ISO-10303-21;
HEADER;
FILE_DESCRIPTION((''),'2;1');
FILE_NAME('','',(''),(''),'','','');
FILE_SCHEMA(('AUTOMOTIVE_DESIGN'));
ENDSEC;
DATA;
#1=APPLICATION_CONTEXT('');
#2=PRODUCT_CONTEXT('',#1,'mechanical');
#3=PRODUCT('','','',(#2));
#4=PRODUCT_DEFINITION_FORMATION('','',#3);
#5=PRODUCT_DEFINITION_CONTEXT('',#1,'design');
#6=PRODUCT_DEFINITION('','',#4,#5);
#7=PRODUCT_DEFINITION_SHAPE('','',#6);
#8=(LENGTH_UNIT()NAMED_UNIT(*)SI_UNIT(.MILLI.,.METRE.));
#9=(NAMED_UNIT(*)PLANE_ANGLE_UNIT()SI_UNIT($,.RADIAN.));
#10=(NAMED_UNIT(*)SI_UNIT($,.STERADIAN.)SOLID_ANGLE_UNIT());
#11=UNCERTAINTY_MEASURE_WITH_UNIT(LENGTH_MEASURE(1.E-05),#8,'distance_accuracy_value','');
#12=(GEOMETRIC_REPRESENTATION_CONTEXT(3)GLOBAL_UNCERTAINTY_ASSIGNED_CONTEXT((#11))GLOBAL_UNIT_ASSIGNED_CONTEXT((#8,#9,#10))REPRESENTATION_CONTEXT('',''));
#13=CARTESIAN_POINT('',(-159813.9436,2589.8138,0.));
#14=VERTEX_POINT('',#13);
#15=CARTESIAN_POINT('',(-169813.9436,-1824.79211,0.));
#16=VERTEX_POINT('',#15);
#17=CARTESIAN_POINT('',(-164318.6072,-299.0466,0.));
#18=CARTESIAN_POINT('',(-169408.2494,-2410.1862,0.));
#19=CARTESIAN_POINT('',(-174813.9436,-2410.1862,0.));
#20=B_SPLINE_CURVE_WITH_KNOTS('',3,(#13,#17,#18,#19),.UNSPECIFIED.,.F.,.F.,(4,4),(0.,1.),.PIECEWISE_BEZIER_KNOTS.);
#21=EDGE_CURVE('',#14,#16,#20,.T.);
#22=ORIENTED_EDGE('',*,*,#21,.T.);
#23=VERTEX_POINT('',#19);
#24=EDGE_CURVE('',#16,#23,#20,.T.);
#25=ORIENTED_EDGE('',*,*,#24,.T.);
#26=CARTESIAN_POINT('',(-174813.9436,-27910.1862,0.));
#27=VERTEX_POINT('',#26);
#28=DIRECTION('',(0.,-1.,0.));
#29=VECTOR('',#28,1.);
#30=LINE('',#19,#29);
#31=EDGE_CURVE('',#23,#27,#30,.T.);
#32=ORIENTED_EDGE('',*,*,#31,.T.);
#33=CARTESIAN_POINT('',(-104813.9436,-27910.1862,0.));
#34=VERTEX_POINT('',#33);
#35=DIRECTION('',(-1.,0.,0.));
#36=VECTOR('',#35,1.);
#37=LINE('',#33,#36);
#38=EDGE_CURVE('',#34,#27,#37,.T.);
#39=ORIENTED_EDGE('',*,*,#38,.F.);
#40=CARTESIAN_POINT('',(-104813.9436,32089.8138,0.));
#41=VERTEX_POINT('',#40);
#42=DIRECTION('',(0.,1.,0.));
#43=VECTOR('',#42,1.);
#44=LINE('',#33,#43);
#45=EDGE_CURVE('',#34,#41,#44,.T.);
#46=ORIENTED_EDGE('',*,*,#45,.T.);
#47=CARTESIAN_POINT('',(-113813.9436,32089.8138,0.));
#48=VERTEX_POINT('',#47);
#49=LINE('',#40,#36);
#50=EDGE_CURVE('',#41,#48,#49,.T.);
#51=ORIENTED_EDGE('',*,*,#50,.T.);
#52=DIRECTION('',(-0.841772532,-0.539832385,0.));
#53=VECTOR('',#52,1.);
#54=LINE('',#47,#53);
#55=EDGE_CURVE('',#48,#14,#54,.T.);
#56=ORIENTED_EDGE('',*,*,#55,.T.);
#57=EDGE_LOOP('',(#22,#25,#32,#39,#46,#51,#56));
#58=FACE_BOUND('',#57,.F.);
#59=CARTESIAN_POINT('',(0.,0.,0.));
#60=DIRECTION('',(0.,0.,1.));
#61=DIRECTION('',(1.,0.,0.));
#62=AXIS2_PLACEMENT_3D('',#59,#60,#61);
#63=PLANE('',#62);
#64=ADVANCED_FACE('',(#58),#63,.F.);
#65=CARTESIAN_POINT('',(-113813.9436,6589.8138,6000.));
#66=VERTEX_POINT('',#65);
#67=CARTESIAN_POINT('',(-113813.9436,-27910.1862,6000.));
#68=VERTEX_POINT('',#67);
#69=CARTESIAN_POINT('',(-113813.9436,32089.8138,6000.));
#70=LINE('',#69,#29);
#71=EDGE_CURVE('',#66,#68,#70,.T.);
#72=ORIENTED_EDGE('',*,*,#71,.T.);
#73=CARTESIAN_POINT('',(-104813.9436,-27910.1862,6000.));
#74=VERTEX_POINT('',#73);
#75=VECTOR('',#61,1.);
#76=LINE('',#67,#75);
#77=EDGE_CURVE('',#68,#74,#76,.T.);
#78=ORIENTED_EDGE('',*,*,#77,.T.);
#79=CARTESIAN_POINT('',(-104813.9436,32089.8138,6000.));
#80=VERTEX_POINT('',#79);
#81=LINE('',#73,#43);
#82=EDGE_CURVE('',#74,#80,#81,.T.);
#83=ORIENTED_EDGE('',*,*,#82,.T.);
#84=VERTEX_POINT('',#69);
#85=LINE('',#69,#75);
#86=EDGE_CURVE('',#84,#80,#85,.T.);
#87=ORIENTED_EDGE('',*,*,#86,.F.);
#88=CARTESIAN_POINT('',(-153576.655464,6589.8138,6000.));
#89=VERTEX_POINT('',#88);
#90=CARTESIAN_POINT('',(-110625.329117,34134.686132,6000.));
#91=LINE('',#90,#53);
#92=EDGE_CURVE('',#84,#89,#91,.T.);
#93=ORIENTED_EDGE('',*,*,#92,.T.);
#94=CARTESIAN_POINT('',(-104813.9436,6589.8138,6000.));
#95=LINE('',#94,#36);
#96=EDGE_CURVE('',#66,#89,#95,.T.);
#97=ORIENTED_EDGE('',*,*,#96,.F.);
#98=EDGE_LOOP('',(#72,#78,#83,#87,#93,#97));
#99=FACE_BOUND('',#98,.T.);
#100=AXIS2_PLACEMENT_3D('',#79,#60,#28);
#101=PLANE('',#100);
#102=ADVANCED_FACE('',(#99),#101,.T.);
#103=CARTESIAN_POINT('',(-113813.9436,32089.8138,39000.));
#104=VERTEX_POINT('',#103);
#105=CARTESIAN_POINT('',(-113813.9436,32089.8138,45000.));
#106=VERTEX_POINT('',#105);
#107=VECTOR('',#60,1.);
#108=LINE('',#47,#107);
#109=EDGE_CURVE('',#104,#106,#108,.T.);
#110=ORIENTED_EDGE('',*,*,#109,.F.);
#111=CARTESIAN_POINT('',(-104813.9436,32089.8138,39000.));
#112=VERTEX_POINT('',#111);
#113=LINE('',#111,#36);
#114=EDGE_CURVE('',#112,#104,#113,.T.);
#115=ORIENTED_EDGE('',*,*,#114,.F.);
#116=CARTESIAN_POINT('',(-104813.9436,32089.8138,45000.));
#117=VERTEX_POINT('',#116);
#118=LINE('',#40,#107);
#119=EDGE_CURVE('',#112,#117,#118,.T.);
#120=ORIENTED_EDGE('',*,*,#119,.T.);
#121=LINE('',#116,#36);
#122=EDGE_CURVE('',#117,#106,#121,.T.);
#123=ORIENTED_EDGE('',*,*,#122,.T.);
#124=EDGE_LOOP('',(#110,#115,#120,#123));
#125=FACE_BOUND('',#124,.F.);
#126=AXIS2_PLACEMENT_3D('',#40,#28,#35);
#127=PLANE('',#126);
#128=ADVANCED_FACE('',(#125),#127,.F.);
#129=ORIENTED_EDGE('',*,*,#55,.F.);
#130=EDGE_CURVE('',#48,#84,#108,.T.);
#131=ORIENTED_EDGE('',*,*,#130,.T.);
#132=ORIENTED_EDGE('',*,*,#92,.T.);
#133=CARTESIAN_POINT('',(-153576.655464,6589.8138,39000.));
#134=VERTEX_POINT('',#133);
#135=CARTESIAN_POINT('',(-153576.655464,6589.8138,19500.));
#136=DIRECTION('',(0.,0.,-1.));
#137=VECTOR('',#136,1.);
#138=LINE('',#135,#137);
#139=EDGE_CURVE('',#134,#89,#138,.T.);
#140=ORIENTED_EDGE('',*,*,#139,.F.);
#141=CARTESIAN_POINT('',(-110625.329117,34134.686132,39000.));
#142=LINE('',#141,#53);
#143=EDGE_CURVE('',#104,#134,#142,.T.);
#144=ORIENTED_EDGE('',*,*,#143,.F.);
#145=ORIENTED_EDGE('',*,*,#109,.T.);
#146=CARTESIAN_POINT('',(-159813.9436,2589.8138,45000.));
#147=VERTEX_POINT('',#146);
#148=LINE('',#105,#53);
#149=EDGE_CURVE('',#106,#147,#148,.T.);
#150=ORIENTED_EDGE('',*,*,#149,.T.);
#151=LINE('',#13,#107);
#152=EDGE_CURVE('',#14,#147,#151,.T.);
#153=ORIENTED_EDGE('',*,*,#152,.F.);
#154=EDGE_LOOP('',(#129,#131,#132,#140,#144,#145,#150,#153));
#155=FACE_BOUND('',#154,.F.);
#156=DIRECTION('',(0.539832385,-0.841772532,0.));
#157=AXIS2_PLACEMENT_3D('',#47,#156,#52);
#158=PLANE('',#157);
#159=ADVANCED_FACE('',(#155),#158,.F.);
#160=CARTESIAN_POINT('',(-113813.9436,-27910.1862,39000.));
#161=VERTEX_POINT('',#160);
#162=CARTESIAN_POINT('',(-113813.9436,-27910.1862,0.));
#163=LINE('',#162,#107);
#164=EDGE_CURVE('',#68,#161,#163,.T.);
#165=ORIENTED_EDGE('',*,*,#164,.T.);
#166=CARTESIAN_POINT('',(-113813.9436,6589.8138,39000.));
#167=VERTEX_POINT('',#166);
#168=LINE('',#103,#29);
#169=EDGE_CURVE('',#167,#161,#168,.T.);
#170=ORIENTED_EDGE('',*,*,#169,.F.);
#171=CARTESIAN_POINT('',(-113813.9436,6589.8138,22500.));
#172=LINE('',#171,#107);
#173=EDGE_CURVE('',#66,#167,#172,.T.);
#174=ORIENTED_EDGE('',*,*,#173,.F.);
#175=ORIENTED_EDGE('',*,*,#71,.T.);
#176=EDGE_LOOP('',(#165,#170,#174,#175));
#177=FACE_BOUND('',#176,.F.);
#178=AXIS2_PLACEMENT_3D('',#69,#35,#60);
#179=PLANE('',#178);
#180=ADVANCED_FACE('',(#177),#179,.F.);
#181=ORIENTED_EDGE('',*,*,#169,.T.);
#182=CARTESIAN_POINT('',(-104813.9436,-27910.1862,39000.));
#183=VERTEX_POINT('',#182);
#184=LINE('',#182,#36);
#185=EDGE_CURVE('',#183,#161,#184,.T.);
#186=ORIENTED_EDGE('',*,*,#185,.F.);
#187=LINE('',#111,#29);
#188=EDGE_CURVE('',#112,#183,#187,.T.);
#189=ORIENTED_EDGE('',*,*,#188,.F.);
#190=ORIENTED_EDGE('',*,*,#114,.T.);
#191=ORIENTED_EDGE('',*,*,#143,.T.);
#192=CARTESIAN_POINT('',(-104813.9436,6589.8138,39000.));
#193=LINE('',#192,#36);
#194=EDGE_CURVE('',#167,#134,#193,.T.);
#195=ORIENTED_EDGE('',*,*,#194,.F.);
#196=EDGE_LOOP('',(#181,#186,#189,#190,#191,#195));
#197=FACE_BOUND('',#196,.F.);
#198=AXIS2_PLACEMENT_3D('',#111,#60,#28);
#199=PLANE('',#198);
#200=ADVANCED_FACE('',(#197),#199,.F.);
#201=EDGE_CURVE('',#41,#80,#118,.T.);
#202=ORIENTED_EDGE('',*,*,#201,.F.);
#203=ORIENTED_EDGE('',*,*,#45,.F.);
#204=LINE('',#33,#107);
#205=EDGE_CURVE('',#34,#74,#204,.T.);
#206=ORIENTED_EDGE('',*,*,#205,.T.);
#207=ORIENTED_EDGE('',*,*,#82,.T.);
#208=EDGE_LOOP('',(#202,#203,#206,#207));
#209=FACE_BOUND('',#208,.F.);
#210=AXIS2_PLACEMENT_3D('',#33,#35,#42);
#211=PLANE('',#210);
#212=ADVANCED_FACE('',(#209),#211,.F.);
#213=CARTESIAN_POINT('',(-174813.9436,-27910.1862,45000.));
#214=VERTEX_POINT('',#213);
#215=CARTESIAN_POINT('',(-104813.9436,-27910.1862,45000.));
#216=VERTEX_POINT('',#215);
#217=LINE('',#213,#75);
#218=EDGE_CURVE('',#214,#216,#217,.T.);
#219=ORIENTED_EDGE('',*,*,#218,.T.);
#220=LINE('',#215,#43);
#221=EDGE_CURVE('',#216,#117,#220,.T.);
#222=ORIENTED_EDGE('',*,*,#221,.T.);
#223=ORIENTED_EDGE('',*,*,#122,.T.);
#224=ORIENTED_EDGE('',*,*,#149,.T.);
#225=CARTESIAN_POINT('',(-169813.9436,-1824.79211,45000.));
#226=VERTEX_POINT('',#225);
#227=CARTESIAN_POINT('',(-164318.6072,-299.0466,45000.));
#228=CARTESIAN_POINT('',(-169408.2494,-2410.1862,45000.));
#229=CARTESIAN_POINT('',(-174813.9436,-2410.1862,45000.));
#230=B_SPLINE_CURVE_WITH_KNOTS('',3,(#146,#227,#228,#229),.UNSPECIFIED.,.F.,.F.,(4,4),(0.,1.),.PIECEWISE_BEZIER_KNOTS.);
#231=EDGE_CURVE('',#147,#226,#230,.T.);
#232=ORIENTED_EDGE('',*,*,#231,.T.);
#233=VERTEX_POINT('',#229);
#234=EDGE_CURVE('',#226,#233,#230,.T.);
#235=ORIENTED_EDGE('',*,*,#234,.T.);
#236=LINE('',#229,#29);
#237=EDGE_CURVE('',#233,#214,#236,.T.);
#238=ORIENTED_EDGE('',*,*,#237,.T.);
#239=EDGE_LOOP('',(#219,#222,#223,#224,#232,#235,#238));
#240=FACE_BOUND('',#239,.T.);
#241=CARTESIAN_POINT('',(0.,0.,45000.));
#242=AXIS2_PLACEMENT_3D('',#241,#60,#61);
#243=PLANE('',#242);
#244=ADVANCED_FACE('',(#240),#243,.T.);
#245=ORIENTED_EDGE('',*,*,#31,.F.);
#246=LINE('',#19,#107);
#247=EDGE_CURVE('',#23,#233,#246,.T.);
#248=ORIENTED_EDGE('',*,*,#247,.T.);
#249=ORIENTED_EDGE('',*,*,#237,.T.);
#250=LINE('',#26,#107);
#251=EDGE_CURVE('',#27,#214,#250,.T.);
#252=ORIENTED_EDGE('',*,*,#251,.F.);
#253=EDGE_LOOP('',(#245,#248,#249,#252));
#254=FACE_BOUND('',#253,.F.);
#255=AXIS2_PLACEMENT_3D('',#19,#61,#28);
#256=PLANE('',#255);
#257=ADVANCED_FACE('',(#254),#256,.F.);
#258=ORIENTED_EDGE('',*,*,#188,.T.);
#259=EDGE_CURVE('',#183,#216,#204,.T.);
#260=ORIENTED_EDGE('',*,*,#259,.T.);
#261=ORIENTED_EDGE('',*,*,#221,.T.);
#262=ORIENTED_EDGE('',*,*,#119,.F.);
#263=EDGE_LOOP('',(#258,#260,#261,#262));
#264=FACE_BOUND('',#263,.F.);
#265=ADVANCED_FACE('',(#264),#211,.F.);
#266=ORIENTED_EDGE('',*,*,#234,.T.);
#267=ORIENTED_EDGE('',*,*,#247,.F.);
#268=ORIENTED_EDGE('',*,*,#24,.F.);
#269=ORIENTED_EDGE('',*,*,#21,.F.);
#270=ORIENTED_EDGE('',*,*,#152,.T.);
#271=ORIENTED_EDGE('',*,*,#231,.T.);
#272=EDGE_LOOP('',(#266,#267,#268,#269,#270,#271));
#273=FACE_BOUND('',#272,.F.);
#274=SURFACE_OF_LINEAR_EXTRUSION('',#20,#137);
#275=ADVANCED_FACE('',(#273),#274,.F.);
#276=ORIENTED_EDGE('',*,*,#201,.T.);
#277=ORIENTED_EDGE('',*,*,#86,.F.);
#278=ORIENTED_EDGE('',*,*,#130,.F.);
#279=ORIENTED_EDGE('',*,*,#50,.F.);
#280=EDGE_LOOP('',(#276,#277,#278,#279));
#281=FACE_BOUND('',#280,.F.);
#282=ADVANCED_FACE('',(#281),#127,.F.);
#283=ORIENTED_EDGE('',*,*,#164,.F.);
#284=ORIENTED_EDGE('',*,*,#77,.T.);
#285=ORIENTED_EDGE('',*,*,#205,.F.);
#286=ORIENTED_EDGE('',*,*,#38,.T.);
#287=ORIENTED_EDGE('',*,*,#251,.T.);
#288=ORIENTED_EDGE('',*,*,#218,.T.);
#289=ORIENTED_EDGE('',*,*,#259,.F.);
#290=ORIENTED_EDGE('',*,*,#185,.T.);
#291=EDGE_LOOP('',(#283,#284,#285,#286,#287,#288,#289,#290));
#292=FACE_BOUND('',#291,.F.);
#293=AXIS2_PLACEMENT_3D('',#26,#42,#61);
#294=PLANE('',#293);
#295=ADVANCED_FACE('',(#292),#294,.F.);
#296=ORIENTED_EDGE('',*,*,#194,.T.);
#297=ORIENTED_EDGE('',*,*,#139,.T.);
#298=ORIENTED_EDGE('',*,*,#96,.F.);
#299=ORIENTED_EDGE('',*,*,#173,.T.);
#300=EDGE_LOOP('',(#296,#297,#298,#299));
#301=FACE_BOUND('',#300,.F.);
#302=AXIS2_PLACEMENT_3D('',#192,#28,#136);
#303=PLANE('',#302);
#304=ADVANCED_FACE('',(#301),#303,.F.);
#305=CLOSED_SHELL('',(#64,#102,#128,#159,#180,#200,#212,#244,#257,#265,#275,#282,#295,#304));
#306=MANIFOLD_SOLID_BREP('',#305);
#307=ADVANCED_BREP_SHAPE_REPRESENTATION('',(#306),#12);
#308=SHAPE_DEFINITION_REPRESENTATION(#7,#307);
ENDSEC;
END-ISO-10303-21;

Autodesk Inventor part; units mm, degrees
ref_plane "YZ Plane" through (0, 0, 0) normal (1, 0, 0) x (0, 1, 0)
ref_plane "XZ Plane" through (0, 0, 0) normal (0, 1, 0) x (-1, 0, 0)
ref_plane "XY Plane" through (0, 0, 0) normal (0, 0, 1) x (1, 0, 0)
sketch "スケッチ1" plane through (0, 0, 0) normal (0, 0, 1) x (1, 0, 0)
  line L0 (-174813.9436, -2410.1862) -> (-174813.9436, -27910.1862)
  line L1 (-174813.9436, -27910.1862) -> (-104813.9436, -27910.1862)
  line L2 (-104813.9436, -27910.1862) -> (-104813.9436, 32089.8138)
  line L3 (-104813.9436, 32089.8138) -> (-113813.9436, 32089.8138)
  line L4 (-113813.9436, 32089.8138) -> (-159813.9436, 2589.8138)
  spline S0 degree 3 poles (-159813.9436, 2589.8138) (-164318.6072, -299.0466) (-169408.2494, -2410.1862) (-174813.9436, -2410.1862) knots 0 0 0 0 1 1 1 1
  point P0 (0, 0)
  dimension "d0" = 70000
  dimension "d1" = 25500
  dimension "d2" = 5000
  dimension "d3" = 9000
  dimension "d4" = 15000
  dimension "d5" = 60000
extrude "押し出し1" add sketch "スケッチ1" along normal blind 45000
sketch "スケッチ2" plane through (-104813.9436, -27910.1862, 0) normal (1, 0, 0) x (0, 0, -1)
  point P0 (0, 27910.1862)
sketch "スケッチ3" plane through (-113813.9436, 32089.8138, 0) normal (0, 1, 0) x (1, 0, 0)
  line L0 (9000, 0) -> (0, 0) projected
  line L1 (0, 0) -> (0, -45000) projected
  line L2 (9000, -45000) -> (0, -45000) projected
  line L3 (9000, 0) -> (9000, -45000) projected
  line L4 (9000, -39000) -> (0, -39000)
  line L5 (0, -39000) -> (0, -6000)
  line L6 (0, -6000) -> (9000, -6000)
  line L7 (9000, -6000) -> (9000, -39000)
  point P0 (113813.9436, 0)
  dimension "d8" = 33000
  dimension "d9" = 6000
extrude "押し出し2" cut sketch "スケッチ3" against normal blind 60000 contours L3 L4 L1 L6
sketch "スケッチ4" plane through (-104813.9436, -27910.1862, 0) normal (1, 0, 0) x (0, 0, -1)
  line L0 (-6000, 60000) -> (-6000, 0) projected
  line L1 (0, 0) -> (-6000, 0) projected
  line L2 (0, 0) -> (0, 60000) projected
  line L3 (0, 60000) -> (-6000, 60000) projected
  line L4 (-6000, 60000) -> (-39000, 60000) projected
  line L5 (-39000, 60000) -> (-39000, 0) projected
  line L6 (-6000, 0) -> (-39000, 0) projected
  line L7 (-6000, 60000) -> (-6000, 0) projected
  line L8 (-39000, 0) -> (-39000, 60000) projected
  line L9 (-39000, 60000) -> (-45000, 60000) projected
  line L10 (-45000, 0) -> (-45000, 60000) projected
  line L11 (-39000, 0) -> (-45000, 0) projected
  line L12 (-6000, 60000) -> (-39000, 60000)
  line L13 (-39000, 60000) -> (-39000, 34500)
  line L14 (-39000, 34500) -> (-6000, 34500)
  line L15 (-6000, 34500) -> (-6000, 60000)
  point P0 (0, 27910.1862)
  dimension "d12" = 34500
extrude "押し出し3" cut sketch "スケッチ4" against normal blind 60000 contours L0 L14 L5 L4
sketch "スケッチ5" plane through (-174813.9436, -27910.1862, 0) normal (0, -1, 0) x (1, 0, 0)
  line L0 (70000, 6000) -> (61000, 6000) projected
  line L1 (61000, 6000) -> (61000, 39000) projected
  line L2 (61000, 39000) -> (70000, 39000) projected
  line L3 (70000, 39000) -> (70000, 45000) projected
  line L4 (0, 45000) -> (70000, 45000) projected
  line L5 (0, 0) -> (0, 45000) projected
  line L6 (0, 0) -> (70000, 0) projected
  line L7 (70000, 0) -> (70000, 6000) projected
  arc A0 (0, 5000) -> (5000, 0) centre (5000, 5000) ccw
  arc A1 (5000, 45000) -> (0, 40000) centre (5000, 40000) ccw
  point P0 (174813.9436, 0)
  dimension "d15" = 5000
extrude "押し出し4" cut sketch "スケッチ5" against normal blind 100000 contours L6 L5 A0 | L5 L4 A1
properties part number "anchorage"
